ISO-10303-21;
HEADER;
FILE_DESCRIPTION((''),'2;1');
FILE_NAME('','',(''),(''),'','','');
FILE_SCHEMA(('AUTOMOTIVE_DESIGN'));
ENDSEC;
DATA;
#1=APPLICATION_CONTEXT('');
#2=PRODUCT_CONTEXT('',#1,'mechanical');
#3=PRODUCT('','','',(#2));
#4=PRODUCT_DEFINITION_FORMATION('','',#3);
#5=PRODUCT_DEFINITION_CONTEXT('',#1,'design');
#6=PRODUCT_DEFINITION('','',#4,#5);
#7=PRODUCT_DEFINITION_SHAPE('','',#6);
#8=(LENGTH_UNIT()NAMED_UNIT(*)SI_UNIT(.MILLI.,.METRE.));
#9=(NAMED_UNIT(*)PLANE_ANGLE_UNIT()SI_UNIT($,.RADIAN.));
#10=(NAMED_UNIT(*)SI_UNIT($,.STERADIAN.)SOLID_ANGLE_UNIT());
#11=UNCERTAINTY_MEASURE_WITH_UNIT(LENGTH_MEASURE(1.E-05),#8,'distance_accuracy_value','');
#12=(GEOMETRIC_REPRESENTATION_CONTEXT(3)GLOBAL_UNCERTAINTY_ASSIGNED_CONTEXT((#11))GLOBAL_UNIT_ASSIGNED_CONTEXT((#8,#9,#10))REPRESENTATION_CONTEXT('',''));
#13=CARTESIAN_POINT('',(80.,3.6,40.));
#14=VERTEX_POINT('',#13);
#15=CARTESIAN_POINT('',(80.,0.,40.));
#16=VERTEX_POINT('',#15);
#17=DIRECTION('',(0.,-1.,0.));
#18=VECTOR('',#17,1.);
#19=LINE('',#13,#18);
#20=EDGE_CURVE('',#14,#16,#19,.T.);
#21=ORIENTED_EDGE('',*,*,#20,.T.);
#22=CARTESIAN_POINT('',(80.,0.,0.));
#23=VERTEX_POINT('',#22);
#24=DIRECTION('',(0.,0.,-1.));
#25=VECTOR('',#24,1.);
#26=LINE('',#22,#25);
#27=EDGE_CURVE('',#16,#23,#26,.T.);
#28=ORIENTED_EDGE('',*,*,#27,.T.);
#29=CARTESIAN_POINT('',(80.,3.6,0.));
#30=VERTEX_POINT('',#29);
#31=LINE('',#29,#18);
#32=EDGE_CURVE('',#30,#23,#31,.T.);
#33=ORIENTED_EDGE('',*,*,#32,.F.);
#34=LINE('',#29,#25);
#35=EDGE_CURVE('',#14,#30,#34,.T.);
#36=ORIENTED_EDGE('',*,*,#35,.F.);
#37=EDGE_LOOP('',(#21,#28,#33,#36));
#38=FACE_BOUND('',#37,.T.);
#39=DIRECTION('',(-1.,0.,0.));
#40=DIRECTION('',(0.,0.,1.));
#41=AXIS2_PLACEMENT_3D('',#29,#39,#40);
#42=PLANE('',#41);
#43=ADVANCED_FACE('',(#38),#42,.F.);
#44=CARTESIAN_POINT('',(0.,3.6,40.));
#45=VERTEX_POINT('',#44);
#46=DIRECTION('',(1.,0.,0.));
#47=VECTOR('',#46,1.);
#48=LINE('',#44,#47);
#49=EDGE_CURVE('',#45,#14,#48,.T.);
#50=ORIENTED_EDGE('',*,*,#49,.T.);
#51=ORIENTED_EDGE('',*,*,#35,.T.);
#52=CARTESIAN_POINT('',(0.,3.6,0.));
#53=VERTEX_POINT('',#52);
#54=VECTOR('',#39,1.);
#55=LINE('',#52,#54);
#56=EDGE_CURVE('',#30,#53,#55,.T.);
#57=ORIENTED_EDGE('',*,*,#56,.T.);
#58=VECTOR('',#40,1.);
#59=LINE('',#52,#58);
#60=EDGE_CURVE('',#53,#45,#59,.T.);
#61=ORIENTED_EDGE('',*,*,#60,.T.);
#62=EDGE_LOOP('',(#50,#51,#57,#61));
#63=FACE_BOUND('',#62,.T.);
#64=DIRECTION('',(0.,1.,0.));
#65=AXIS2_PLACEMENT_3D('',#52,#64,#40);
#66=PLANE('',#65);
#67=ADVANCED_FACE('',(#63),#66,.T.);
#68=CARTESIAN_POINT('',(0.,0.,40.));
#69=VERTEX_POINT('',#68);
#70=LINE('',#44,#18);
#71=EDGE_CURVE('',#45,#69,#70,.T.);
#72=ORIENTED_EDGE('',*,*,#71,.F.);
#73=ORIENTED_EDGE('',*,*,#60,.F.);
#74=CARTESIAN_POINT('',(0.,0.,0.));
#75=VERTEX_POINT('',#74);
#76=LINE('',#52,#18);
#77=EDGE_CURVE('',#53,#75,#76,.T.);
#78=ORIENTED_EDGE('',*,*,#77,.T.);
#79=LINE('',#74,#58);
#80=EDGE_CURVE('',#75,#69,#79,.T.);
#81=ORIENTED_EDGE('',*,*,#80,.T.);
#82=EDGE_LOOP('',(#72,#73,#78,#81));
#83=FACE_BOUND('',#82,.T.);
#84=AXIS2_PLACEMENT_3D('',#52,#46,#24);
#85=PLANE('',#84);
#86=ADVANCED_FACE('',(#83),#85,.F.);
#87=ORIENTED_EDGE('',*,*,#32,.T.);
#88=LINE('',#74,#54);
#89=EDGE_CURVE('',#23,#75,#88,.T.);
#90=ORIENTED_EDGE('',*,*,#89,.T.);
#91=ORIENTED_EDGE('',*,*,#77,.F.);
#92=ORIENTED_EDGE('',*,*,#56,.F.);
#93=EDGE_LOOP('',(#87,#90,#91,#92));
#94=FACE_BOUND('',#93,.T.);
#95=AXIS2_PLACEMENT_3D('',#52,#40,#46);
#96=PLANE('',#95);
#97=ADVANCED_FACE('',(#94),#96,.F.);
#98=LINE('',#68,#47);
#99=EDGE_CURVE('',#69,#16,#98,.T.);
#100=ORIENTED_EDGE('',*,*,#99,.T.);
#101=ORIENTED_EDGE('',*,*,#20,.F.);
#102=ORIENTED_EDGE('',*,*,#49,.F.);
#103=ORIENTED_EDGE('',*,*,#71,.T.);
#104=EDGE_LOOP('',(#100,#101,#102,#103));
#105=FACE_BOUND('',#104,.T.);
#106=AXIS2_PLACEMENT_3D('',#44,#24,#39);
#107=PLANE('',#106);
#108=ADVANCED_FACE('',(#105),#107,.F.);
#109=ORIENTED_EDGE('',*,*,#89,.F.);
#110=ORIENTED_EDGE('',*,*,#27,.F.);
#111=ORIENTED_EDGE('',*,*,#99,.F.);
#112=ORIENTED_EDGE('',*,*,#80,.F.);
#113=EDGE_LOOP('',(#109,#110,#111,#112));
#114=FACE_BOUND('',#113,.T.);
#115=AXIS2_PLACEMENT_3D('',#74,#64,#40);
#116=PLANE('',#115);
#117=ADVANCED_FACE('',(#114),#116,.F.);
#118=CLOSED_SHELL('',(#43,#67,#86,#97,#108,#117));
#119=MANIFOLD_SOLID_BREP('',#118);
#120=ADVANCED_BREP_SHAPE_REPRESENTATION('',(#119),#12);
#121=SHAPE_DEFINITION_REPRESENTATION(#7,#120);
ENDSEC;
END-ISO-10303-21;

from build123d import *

# Parameters (mm, degrees)
SKETCH1_W           = 80
SKETCH1_H           = 40
BOSS_EXTRUDE1_DEPTH = 3.6


with BuildPart() as part:
    # Sketch1 → Boss-Extrude1 (new body)
    with BuildSketch(Plane(origin=(0, 0, 0), x_dir=(1, 0, 0), z_dir=(0, 1, 0))):
        with Locations((40, -20)):
            Rectangle(SKETCH1_W, SKETCH1_H)
    extrude(amount=BOSS_EXTRUDE1_DEPTH)


solid = part.part
